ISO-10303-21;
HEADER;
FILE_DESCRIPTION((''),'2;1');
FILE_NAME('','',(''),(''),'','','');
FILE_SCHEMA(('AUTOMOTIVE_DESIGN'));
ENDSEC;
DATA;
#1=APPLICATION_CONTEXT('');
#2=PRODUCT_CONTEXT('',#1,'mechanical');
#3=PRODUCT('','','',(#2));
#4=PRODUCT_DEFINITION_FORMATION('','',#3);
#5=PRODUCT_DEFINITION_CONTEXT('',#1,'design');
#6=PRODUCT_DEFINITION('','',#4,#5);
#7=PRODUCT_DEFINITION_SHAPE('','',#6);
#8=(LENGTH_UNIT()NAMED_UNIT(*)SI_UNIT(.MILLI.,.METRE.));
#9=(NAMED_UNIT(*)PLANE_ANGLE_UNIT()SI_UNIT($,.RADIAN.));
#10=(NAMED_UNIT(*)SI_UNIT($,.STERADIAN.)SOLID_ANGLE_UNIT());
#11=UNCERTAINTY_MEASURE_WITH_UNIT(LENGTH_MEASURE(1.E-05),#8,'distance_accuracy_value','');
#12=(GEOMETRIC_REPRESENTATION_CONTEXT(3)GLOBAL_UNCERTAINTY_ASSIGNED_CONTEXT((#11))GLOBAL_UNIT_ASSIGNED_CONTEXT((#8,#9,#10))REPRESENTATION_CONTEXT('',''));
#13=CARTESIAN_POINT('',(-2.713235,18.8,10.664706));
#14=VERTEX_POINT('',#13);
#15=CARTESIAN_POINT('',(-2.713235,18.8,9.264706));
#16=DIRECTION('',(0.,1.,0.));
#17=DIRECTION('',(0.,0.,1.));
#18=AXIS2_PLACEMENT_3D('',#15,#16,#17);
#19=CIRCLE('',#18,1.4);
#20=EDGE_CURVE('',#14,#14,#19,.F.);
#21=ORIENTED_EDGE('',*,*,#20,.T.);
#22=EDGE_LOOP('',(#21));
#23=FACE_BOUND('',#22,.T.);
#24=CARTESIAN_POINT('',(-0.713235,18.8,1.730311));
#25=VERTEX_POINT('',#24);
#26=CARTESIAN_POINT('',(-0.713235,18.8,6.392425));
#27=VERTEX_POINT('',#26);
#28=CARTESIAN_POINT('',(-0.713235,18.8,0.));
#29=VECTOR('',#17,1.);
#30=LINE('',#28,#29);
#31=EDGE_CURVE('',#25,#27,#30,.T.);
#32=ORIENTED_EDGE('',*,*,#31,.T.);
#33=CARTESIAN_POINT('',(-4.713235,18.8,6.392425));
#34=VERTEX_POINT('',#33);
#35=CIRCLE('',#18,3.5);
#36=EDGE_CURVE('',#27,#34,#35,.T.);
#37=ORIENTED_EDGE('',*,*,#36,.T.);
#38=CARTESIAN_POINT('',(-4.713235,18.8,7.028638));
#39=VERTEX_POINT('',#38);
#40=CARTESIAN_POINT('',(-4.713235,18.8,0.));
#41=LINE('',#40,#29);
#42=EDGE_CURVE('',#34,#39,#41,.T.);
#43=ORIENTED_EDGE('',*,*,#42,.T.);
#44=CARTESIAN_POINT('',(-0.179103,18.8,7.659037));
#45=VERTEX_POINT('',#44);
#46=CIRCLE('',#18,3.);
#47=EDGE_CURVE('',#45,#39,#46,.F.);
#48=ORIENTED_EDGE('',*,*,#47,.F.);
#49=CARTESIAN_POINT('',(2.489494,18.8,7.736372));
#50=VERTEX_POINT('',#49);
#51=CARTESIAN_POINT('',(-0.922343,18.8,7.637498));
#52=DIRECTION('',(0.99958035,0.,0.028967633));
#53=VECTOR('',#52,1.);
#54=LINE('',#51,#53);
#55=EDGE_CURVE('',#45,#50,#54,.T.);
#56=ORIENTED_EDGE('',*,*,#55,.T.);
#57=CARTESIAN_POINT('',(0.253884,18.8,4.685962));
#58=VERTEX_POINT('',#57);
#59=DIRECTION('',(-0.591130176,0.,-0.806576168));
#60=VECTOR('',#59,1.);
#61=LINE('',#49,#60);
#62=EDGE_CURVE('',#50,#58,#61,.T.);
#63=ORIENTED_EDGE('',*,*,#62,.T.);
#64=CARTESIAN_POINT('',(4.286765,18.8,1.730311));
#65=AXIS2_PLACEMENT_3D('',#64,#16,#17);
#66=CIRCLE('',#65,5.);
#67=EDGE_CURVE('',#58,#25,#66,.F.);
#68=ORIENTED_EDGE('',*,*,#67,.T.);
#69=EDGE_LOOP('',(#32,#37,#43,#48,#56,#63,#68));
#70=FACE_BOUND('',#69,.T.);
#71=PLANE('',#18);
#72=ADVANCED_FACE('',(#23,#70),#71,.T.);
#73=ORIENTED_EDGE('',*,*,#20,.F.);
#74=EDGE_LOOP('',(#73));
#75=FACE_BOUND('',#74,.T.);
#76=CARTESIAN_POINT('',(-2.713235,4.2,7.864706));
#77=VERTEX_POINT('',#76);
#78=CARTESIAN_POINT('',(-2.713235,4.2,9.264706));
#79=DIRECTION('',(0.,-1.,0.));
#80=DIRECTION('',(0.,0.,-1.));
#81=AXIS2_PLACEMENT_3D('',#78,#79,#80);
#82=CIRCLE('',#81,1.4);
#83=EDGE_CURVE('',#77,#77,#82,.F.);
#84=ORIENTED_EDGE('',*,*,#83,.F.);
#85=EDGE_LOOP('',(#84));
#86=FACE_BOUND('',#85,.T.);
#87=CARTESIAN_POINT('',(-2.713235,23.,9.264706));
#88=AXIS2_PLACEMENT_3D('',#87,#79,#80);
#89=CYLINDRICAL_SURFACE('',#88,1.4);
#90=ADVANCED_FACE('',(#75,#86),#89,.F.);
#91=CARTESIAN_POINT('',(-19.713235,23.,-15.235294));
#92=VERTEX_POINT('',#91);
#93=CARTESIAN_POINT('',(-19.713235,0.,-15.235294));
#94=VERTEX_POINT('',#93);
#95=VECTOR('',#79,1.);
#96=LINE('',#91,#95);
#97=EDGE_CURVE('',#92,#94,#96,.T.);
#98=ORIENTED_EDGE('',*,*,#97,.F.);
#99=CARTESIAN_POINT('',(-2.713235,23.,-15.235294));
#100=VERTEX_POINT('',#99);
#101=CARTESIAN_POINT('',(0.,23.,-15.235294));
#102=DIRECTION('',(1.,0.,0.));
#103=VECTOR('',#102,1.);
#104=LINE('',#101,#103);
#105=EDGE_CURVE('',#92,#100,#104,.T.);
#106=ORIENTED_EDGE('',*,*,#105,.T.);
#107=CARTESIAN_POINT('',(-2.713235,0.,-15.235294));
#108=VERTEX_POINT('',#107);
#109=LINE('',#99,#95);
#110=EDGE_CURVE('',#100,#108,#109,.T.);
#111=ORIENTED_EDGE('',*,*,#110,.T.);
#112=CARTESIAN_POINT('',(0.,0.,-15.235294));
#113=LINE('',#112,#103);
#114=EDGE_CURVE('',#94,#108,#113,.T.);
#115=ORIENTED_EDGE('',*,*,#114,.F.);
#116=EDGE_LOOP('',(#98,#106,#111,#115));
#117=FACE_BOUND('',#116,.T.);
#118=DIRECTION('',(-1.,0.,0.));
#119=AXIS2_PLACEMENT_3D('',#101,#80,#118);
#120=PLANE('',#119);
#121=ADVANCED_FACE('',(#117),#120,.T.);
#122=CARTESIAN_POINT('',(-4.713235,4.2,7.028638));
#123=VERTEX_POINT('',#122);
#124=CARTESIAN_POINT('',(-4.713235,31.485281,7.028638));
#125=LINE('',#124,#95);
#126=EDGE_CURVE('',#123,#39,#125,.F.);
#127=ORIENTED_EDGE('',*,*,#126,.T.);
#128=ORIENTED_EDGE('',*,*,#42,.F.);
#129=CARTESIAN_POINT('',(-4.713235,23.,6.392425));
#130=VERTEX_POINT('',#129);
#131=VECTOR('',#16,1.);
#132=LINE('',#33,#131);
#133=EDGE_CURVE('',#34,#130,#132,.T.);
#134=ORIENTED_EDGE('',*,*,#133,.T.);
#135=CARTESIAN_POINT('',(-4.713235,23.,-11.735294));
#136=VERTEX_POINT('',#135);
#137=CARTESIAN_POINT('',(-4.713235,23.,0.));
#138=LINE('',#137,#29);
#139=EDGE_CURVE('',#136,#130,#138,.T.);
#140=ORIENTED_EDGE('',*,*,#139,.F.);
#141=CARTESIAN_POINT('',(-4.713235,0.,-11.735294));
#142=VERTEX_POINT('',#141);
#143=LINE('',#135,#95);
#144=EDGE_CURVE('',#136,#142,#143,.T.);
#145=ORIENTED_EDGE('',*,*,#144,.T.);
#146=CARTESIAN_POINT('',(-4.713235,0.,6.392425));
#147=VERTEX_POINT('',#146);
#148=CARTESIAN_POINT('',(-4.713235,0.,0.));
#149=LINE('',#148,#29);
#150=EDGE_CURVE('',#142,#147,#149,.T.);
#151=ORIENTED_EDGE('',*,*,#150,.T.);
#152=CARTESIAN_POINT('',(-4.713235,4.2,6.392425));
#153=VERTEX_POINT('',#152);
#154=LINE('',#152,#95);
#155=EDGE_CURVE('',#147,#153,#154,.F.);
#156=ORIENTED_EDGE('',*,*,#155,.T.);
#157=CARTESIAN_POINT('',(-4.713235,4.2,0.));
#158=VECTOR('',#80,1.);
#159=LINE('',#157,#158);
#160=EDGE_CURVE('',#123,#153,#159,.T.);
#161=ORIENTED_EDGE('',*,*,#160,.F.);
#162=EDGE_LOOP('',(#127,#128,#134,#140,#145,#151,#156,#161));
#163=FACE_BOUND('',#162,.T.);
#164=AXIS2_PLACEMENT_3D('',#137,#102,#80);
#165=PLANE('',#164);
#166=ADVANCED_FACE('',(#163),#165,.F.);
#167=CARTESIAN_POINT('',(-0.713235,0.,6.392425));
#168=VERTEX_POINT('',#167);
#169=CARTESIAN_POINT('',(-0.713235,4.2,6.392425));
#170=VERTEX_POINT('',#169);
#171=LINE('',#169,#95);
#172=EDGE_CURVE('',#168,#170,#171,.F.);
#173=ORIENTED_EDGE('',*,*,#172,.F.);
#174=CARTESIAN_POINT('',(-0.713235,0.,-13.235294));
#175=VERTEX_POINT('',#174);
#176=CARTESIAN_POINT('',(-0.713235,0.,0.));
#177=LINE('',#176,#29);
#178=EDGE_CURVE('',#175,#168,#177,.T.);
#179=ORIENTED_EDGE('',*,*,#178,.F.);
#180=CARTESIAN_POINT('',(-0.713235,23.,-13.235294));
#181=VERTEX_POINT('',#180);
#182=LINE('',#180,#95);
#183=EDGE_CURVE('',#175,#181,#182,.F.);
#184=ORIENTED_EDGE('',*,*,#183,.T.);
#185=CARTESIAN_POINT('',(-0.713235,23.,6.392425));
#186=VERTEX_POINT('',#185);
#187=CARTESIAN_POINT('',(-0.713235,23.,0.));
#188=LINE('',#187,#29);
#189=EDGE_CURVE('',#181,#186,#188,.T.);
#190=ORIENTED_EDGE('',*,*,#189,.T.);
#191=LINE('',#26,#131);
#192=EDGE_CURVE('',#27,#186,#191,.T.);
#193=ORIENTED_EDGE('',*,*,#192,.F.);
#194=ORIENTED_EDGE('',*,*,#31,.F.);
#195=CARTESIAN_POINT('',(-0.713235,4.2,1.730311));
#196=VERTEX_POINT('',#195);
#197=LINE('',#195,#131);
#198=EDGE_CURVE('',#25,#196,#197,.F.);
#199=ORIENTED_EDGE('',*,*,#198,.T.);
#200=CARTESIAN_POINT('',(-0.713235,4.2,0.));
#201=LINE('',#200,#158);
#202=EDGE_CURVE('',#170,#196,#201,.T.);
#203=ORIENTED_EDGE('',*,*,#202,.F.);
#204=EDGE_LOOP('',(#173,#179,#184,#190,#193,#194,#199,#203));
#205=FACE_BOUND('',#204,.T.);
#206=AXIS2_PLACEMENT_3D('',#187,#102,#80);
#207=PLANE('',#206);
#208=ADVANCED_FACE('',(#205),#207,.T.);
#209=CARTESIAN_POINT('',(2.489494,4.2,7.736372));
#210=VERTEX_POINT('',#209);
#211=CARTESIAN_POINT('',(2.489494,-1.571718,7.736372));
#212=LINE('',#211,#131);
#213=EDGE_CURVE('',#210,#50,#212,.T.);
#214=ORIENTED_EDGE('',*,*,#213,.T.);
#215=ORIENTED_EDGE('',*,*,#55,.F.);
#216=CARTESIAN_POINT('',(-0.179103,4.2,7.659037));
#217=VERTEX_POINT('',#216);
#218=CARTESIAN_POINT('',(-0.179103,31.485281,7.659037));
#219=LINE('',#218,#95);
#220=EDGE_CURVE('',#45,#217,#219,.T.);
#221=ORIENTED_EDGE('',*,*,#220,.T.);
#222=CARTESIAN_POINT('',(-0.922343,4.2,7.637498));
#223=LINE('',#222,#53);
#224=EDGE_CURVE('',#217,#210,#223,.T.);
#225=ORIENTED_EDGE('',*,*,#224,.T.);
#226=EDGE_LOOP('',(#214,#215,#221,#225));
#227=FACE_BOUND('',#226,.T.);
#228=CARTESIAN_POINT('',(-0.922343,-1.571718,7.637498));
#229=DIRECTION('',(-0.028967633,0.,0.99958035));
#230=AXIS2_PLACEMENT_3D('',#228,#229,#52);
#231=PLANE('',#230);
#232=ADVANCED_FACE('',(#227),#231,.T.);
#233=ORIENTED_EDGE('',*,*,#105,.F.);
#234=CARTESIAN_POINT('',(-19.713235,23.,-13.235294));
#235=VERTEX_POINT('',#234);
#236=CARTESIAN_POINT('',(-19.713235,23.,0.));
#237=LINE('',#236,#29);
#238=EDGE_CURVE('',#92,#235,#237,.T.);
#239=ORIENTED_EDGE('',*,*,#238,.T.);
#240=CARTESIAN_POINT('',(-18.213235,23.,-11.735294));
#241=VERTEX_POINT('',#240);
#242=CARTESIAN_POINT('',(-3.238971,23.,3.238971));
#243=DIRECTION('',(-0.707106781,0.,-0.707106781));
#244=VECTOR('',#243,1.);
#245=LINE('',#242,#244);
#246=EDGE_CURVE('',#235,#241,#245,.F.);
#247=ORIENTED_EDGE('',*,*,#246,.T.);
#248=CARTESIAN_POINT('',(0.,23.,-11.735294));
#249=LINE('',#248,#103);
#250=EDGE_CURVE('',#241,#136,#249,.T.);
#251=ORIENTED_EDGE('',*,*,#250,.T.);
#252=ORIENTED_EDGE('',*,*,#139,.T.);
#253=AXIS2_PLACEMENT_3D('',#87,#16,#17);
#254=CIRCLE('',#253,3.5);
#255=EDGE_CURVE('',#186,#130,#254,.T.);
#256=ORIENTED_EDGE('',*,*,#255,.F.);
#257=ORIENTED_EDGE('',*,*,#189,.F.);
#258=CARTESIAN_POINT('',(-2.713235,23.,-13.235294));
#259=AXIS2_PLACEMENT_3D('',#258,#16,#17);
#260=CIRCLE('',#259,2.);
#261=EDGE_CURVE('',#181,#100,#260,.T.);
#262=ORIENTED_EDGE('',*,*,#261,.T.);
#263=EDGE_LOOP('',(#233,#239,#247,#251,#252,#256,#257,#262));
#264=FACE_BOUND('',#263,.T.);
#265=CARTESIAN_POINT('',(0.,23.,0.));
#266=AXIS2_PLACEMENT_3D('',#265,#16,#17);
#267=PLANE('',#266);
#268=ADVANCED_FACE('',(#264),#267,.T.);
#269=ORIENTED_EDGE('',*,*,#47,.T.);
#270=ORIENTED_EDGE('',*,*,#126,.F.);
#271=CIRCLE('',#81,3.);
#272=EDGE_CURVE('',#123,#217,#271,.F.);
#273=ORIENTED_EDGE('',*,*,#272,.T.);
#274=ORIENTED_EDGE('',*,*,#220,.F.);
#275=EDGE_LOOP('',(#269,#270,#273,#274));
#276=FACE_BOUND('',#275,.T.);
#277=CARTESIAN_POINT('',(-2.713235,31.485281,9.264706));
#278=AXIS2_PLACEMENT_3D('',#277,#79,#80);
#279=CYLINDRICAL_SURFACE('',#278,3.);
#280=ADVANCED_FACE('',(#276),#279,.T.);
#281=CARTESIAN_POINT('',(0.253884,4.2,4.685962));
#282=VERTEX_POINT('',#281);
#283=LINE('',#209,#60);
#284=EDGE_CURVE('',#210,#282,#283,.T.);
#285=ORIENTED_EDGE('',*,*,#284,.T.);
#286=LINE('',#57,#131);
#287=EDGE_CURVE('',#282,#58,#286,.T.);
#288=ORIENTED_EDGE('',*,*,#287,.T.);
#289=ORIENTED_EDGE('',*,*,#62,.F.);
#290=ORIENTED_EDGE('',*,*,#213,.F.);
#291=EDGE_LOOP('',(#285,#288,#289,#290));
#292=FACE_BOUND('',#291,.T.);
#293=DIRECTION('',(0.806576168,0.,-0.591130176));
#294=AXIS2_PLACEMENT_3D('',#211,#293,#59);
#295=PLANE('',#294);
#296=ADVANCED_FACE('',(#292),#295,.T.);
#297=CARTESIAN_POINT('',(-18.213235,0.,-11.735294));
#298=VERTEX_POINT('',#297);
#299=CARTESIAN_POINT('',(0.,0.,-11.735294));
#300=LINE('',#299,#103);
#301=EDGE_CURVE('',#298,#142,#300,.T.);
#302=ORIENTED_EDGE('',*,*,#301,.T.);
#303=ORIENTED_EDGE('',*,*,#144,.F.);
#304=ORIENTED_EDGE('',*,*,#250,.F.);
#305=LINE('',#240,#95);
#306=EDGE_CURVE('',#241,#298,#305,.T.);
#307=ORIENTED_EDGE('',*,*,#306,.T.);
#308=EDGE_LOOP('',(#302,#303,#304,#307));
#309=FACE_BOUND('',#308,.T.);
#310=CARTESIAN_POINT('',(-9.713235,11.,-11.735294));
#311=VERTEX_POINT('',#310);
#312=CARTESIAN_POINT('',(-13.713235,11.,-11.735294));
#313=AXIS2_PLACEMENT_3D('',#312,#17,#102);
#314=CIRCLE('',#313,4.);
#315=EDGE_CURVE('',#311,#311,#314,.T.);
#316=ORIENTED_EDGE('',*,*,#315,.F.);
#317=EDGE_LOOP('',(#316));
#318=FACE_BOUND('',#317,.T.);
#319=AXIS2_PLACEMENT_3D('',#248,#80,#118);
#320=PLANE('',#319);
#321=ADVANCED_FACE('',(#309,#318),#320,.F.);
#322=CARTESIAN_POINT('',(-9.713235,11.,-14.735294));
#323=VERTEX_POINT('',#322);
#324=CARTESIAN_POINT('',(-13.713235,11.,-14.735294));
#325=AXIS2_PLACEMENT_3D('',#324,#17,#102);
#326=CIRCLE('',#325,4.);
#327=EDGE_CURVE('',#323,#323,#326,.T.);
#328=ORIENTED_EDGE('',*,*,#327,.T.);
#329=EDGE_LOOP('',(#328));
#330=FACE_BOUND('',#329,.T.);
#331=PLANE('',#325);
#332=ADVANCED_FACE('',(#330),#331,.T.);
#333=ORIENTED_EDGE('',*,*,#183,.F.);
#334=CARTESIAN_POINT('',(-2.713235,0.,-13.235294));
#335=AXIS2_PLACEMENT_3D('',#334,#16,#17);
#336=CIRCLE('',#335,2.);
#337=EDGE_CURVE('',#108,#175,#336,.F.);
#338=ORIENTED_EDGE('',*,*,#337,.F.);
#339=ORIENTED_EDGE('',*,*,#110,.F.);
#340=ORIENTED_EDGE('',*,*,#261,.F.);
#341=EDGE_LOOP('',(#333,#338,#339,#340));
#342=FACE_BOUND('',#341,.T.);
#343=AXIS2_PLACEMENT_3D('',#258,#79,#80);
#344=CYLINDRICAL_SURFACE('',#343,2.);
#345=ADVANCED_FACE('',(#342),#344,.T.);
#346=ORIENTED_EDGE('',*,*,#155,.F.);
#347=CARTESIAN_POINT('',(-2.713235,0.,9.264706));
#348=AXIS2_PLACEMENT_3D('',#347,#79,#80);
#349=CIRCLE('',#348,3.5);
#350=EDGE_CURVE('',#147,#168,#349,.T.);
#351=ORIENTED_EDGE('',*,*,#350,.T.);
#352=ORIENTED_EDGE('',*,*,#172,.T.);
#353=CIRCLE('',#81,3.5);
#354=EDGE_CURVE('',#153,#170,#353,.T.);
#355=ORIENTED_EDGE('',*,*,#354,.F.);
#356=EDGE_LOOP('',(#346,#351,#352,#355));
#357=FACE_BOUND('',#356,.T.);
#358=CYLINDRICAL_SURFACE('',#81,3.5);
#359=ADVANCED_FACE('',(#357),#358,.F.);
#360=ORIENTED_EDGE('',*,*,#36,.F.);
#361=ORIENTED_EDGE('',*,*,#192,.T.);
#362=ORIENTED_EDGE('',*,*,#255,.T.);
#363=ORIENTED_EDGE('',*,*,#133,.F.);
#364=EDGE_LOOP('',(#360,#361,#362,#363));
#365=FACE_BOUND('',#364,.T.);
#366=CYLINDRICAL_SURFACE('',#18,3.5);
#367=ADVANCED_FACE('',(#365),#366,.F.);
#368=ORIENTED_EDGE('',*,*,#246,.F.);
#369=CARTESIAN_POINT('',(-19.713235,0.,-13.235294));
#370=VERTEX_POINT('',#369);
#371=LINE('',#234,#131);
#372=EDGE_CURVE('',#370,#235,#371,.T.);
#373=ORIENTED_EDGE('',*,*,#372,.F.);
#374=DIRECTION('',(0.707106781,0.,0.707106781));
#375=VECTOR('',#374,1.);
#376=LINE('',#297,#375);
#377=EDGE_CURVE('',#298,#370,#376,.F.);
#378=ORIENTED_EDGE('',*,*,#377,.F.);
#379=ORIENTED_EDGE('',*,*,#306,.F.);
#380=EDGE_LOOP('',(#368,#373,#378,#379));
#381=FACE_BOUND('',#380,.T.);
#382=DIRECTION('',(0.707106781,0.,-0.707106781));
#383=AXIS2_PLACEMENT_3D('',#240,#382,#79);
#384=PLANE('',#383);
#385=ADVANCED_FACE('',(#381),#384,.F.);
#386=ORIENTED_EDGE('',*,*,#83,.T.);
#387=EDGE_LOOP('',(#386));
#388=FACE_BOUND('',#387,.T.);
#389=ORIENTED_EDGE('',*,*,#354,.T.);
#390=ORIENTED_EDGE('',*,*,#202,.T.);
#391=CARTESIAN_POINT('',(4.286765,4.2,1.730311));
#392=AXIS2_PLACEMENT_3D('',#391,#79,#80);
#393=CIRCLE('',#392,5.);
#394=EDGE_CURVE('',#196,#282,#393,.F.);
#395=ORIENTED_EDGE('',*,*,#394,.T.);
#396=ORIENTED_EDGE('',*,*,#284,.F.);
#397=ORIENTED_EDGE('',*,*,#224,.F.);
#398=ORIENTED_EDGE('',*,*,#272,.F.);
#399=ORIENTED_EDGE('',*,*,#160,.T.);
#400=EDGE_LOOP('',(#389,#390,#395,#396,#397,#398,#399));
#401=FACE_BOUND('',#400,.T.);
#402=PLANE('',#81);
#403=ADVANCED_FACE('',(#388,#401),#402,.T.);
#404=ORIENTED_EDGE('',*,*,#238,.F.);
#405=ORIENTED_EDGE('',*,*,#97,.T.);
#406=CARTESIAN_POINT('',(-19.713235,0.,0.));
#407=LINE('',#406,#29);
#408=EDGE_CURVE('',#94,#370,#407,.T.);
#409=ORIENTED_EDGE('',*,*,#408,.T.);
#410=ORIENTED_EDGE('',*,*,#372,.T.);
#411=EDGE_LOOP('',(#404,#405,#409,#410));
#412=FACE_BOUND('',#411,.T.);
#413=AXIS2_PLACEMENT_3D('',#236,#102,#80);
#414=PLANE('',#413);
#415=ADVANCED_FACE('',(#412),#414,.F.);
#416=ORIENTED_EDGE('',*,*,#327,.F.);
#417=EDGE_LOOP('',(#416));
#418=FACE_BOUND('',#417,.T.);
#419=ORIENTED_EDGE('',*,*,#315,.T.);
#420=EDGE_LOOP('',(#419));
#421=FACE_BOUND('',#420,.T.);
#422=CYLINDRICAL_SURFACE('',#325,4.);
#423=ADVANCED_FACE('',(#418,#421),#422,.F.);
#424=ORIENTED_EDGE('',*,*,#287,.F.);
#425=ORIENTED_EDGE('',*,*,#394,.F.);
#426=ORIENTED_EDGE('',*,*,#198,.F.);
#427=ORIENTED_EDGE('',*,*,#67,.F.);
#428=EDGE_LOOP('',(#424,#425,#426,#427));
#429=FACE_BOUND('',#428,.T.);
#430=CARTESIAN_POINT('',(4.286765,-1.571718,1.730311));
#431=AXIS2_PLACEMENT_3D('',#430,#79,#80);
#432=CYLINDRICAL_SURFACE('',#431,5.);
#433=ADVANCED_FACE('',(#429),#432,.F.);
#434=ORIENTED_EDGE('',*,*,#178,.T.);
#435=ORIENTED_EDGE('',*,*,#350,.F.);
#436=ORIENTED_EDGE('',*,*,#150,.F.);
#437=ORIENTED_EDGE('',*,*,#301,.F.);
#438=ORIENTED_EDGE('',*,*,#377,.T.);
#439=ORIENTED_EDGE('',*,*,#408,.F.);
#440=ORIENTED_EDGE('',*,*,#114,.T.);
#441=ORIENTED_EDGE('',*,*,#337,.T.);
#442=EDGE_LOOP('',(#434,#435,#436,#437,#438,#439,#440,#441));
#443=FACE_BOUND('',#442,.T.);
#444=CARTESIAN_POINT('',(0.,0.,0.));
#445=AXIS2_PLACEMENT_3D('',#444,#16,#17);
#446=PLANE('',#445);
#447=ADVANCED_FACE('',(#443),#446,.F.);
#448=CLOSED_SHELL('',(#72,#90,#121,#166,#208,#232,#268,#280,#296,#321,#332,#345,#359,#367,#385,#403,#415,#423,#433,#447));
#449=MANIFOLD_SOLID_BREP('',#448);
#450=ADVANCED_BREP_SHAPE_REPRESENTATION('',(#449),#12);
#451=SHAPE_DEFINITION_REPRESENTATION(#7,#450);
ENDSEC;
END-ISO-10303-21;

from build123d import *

# Parameters (mm, degrees)
SKETCH1_W           = 15
SKETCH1_H           = 3.5
BOSS_EXTRUDE1_DEPTH = 23
SKETCH3_R           = 3
BOSS_EXTRUDE2_DEPTH = 23
SKETCH4_R           = 1.4
CUT_EXTRUDE1_DEPTH  = 23
SKETCH5_R           = 3.5
CUT_EXTRUDE2_DEPTH  = 4.2
SKETCH6_R           = 3.5
CUT_EXTRUDE3_DEPTH  = 4.2
SKETCH7_R           = 4
CUT_EXTRUDE4_DEPTH  = 3
CHAMFER1_SIZE       = 1.5
BOSS_EXTRUDE3_DEPTH = 14.6
FILLET1_R           = 2
FILLET2_R           = 5


with BuildPart() as part:
    # Sketch1 → Boss-Extrude1 (new body)
    with BuildSketch(Plane(origin=(0, 0, 0), x_dir=(1, 0, 0), z_dir=(0, 1, 0))):
        with Locations((-12.213235294, 13.485294118)):
            Rectangle(SKETCH1_W, SKETCH1_H)
        Polygon((-0.713235294, 15.235294118), (-4.713235294, 15.235294118), (-4.713235294, 11.735294118), (-4.713235294, -9.264705882), (-0.713235294, -9.264705882), align=None)
    extrude(amount=BOSS_EXTRUDE1_DEPTH)

    # Sketch3 → Boss-Extrude2 (add)
    with BuildSketch(Plane.XZ):
        with Locations((-2.713235294, 9.264705882)):
            Circle(SKETCH3_R)
    extrude(amount=-BOSS_EXTRUDE2_DEPTH)

    # Sketch4 → Cut-Extrude1 (cut)
    with BuildSketch(Plane.XZ):
        with Locations((-2.713235294, 9.264705882)):
            Circle(SKETCH4_R)
    extrude(amount=-CUT_EXTRUDE1_DEPTH, mode=Mode.SUBTRACT)

    # Sketch5 → Cut-Extrude2 (cut)
    with BuildSketch(Plane.XZ):
        with Locations((-2.713235294, 9.264705882)):
            Circle(SKETCH5_R)
    extrude(amount=-CUT_EXTRUDE2_DEPTH, mode=Mode.SUBTRACT)

    # Sketch6 → Cut-Extrude3 (cut)
    with BuildSketch(Plane(origin=(0, 23, 0), x_dir=(1, 0, 0), z_dir=(0, 1, 0))):
        with Locations((-2.713235294, -9.264705882)):
            Circle(SKETCH6_R)
    extrude(amount=-CUT_EXTRUDE3_DEPTH, mode=Mode.SUBTRACT)

    # Sketch7 → Cut-Extrude4 (cut)
    with BuildSketch(Plane.XY.offset(-11.735294118)):
        with Locations((-13.713235294, 11)):
            Circle(SKETCH7_R)
    extrude(amount=-CUT_EXTRUDE4_DEPTH, mode=Mode.SUBTRACT)

    # Chamfer1
    chamfer1_edges = [part.edges().sort_by_distance(p)[0] for p in [
        (-19.713235294, 11.5, -11.735294118),
    ]]
    chamfer(chamfer1_edges, length=CHAMFER1_SIZE)

    # Sketch8 → Boss-Extrude3 (add)
    with BuildSketch(Plane(origin=(0, 18.8, 0), x_dir=(1, 0, 0), z_dir=(0, 1, 0))):
        Polygon((-0.92234324, -7.637497627), (2.489493511, -7.736371955), (-0.92234324, -3.081041661), align=None)
    extrude(amount=-BOSS_EXTRUDE3_DEPTH)

    # Fillet1
    fillet1_edges = [part.edges().sort_by_distance(p)[0] for p in [
        (-0.713235294, 11.5, -15.235294118),
    ]]
    fillet(fillet1_edges, radius=FILLET1_R)

    # Fillet2
    fillet2_edges = [part.edges().sort_by_distance(p)[0] for p in [
        (-0.713235294, 11.5, 3.36636204),
    ]]
    fillet(fillet2_edges, radius=FILLET2_R)


solid = part.part
